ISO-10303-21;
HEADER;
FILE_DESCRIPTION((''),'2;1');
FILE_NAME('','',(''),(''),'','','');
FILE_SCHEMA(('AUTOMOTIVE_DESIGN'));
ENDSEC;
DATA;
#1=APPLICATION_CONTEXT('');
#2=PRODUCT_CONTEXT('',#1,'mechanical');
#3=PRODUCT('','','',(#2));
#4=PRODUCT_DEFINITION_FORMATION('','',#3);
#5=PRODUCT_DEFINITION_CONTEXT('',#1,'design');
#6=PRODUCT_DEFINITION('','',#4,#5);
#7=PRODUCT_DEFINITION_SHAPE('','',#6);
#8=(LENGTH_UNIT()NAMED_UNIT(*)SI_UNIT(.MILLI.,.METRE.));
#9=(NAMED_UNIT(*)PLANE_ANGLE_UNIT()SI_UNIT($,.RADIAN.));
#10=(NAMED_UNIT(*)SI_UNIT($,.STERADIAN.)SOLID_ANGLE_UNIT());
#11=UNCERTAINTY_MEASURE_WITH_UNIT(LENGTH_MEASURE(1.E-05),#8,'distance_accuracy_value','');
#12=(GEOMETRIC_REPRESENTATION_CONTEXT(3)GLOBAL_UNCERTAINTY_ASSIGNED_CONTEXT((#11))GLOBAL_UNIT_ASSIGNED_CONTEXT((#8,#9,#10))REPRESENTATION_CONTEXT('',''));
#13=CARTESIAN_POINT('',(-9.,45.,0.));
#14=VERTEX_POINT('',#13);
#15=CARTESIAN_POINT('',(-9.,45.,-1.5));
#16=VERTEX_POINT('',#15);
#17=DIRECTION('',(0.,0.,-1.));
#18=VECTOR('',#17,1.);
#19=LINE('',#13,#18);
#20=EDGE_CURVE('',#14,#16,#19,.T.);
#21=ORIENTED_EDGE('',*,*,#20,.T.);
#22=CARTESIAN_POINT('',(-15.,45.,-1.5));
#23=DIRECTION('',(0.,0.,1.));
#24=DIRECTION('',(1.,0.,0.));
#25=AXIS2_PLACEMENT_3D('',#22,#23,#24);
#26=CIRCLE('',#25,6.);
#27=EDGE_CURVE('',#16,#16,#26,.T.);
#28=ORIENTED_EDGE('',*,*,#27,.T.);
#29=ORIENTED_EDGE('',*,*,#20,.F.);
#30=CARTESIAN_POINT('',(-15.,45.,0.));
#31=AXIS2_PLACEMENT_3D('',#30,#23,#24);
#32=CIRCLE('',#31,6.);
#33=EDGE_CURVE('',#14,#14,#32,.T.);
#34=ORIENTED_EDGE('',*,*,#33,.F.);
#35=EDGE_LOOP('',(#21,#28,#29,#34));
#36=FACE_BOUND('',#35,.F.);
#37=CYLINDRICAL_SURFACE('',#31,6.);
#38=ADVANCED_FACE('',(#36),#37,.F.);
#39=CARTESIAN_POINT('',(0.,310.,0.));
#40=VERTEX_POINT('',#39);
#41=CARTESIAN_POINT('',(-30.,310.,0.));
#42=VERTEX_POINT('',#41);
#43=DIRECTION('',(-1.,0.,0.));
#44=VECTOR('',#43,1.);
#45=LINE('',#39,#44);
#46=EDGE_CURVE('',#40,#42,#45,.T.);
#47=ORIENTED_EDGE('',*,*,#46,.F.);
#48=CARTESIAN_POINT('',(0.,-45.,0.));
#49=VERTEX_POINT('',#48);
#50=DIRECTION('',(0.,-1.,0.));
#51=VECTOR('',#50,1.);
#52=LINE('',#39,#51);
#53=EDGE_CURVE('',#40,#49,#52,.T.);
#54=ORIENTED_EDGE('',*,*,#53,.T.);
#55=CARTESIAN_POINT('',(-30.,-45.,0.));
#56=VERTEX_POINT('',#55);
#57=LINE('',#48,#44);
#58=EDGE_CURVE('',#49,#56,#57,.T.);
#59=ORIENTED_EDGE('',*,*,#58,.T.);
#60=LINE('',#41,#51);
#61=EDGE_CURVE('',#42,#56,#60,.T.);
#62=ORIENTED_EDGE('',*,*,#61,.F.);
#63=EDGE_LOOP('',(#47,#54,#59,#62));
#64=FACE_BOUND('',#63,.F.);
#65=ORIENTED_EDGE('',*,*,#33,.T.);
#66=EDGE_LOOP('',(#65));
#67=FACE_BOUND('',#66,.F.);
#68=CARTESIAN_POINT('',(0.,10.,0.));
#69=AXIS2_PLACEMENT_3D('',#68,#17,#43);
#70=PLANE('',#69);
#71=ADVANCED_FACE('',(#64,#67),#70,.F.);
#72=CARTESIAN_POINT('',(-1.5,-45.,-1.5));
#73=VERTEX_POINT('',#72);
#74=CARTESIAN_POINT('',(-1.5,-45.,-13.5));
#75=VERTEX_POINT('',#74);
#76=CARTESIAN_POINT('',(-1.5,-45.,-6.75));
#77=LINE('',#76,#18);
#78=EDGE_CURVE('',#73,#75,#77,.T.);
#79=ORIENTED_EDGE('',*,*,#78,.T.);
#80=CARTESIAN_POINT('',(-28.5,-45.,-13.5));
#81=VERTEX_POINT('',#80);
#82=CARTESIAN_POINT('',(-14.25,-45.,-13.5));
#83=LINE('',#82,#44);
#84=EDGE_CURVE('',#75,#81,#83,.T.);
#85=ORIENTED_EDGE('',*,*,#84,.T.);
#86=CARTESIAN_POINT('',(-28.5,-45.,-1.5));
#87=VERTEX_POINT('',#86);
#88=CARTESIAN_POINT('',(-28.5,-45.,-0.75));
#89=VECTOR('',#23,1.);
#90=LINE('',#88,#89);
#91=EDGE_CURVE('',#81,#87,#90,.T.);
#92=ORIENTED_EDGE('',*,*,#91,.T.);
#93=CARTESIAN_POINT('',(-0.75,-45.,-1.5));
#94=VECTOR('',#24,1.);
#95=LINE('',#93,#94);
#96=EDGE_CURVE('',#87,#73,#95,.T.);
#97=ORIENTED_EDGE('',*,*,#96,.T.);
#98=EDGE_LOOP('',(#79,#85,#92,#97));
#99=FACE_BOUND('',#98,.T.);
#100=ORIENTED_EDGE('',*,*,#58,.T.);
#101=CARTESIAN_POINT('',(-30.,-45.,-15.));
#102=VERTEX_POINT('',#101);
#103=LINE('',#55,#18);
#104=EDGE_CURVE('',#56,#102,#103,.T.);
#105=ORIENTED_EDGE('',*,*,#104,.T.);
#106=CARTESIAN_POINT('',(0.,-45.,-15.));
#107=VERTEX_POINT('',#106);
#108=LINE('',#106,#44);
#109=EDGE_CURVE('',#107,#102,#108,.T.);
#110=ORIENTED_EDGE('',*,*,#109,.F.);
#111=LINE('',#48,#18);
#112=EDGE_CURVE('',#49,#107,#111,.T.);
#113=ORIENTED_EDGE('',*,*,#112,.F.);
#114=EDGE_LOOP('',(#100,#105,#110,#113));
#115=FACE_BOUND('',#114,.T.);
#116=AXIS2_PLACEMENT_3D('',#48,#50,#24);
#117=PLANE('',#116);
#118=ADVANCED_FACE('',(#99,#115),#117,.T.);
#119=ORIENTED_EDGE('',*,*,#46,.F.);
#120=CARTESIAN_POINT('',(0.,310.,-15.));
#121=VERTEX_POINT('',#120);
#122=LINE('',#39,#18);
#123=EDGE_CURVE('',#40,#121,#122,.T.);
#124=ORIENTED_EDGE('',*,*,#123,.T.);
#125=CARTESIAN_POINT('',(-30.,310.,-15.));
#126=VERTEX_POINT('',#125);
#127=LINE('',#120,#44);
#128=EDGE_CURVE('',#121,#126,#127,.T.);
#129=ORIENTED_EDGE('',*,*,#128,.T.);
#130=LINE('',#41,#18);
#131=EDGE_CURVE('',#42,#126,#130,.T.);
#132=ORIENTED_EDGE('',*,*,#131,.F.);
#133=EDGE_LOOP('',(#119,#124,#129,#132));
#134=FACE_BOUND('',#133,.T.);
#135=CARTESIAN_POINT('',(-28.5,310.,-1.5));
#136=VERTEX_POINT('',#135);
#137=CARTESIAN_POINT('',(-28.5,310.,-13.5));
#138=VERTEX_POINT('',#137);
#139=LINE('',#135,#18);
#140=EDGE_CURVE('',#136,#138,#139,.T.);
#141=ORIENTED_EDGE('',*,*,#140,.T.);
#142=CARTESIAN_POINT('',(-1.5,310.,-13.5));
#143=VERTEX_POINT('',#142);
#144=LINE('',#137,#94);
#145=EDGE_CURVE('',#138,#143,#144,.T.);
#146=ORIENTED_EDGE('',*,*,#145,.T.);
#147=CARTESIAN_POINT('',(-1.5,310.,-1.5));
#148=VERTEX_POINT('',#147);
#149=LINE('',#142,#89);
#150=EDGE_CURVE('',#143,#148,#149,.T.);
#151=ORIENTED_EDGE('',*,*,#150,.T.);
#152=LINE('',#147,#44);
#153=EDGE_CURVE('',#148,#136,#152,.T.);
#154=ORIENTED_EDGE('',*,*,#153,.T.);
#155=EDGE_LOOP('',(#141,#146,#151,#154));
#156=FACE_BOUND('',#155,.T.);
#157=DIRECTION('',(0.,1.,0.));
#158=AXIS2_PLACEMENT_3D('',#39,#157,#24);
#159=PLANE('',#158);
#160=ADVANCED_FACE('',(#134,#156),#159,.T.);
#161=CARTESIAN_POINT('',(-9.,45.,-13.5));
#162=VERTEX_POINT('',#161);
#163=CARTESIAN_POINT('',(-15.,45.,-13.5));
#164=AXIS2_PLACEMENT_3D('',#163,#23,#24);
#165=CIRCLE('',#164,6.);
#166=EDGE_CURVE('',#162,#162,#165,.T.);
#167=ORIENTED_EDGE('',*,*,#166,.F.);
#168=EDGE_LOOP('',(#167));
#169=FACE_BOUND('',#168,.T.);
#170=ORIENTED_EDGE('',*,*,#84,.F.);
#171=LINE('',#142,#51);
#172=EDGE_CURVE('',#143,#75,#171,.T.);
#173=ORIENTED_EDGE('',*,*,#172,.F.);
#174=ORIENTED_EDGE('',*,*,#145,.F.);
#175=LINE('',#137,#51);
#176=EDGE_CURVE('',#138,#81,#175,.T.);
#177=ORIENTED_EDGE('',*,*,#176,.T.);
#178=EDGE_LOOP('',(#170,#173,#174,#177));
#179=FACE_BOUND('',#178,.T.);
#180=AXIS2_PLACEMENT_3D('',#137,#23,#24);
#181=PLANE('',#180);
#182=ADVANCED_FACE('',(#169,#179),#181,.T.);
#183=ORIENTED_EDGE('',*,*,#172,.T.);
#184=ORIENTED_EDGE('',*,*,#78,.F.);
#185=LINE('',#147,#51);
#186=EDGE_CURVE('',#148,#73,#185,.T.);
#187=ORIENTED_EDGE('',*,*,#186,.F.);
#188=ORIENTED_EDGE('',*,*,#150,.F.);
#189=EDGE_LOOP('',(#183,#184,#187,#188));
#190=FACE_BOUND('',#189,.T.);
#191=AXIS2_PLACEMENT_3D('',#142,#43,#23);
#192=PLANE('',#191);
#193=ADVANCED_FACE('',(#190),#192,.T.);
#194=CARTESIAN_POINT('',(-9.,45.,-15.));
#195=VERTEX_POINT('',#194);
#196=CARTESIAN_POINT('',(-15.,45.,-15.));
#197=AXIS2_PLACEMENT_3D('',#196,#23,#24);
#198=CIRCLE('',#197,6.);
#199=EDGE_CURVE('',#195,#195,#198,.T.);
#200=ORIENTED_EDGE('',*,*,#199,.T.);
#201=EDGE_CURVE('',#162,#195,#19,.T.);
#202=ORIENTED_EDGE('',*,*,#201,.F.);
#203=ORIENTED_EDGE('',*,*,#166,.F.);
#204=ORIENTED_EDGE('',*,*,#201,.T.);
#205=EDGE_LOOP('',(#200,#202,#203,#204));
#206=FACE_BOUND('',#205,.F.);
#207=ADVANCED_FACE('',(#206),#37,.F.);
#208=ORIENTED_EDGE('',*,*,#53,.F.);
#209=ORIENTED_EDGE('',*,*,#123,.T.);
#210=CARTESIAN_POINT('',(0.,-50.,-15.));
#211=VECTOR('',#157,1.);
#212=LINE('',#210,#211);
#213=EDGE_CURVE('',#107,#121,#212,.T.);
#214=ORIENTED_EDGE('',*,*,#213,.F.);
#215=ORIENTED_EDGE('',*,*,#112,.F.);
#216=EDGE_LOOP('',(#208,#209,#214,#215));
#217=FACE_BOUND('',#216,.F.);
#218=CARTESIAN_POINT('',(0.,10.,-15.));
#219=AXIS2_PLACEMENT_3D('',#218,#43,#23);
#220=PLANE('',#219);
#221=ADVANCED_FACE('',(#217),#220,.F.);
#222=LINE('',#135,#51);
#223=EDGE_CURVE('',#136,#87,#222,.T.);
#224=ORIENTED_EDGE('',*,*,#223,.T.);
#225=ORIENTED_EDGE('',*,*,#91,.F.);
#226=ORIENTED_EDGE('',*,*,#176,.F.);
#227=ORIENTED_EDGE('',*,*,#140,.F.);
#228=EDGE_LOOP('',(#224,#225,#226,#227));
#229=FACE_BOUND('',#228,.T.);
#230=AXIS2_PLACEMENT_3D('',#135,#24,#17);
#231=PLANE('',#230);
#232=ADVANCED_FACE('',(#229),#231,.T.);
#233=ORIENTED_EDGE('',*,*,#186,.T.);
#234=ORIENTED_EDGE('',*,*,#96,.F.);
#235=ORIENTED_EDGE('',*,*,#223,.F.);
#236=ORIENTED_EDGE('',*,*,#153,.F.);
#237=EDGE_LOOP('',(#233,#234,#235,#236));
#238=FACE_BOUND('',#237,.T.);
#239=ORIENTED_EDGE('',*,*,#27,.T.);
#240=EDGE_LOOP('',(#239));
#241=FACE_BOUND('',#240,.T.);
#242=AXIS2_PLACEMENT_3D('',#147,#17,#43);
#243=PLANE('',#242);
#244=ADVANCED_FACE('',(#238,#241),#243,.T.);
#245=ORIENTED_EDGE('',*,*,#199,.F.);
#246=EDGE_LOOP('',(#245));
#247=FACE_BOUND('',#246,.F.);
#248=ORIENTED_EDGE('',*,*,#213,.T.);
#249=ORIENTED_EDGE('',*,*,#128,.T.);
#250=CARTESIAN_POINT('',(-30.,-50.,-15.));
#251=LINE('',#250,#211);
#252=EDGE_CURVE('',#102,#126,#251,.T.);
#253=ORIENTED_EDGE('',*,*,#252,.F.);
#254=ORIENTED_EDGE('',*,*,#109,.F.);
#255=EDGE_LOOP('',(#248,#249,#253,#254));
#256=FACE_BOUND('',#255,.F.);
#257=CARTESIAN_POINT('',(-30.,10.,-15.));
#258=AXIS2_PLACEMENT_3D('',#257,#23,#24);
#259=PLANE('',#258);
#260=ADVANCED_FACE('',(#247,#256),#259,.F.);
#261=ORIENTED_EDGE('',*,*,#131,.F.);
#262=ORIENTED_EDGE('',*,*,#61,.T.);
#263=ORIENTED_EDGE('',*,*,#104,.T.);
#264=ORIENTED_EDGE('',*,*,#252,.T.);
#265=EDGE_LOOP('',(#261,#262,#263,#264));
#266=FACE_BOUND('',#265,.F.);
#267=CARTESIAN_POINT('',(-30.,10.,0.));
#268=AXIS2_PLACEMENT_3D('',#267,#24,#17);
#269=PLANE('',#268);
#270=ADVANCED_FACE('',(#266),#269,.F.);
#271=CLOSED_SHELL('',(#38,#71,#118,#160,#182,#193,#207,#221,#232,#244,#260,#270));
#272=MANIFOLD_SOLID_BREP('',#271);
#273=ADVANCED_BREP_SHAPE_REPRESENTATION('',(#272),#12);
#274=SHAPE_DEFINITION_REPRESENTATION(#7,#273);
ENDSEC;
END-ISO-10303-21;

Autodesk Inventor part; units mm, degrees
ref_plane "YZ Plane" through (0, 0, 0) normal (1, 0, 0) x (0, 1, 0)
ref_plane "XZ Plane" through (0, 0, 0) normal (0, 1, 0) x (-1, 0, 0)
ref_plane "XY Plane" through (0, 0, 0) normal (0, 0, 1) x (1, 0, 0)
sketch "スケッチ1" plane through (0, 0, 0) normal (0, 1, 0) x (-1, 0, 0)
  line L0 (0, 0) -> (30, 0)
  line L1 (30, 0) -> (30, -15)
  line L2 (30, -15) -> (0, -15)
  line L3 (0, -15) -> (0, 0)
  dimension "d0" = 30
  dimension "d1" = 15
extrude "押し出し1" add sketch "スケッチ1" along normal blind 300
sketch "スケッチ2" plane through (-30, 0, 0) normal (0, 0, 1) x (1, 0, 0)
  circle A0 centre (15, 45) radius 5
  line L0 (0, 0) -> (30, 0) projected
  line L1 (30, 0) -> (30, 300) projected
  dimension "d4" = 10
  dimension "d5" = 45
  dimension "d6" = 15
extrude "押し出し2" cut sketch "スケッチ2" against normal blind 300
sketch "スケッチ3" plane through (0, 0, 0) normal (0, -1, 0) x (1, 0, 0)
  line L0 (-30, 0) -> (0, 0) projected
  line L1 (0, 0) -> (-30, 0)
  line L2 (-30, 0) -> (-30, -15)
  line L3 (-30, -15) -> (0, -15)
  line L4 (0, -15) -> (0, 0)
  dimension "d9" = 30
  dimension "d10" = 15
extrude "押し出し3" cut sketch "スケッチ3" against normal blind 10
sketch "スケッチ5" plane through (0, 300, 0) normal (0, 1, 0) x (1, 0, 0)
  line L0 (0, 0) -> (0, 15) projected
  line L1 (0, 15) -> (-30, 15) projected
  line L2 (0, 0) -> (-30, 0)
  line L3 (-30, 0) -> (-30, 15)
  line L4 (-30, 15) -> (0, 15)
  line L5 (0, 15) -> (0, 0)
extrude "押し出し4" add sketch "スケッチ5" along normal blind 10
sketch "スケッチ6" plane through (0, 10, 0) normal (0, -1, 0) x (1, 0, 0)
  line L0 (0, 0) -> (-30, 0)
  line L1 (-30, 0) -> (-30, -15)
  line L2 (-30, -15) -> (0, -15)
  line L3 (0, -15) -> (0, 0)
extrude "押し出し5" add sketch "スケッチ6" along normal blind 60
sketch "スケッチ7" plane through (0, -50, 0) normal (0, -1, 0) x (1, 0, 0)
  line L0 (0, 0) -> (0, -15) projected
  line L1 (0, -15) -> (-30, -15) projected
  line L2 (0, 0) -> (-30, 0)
  line L3 (-30, 0) -> (-30, -15)
  line L4 (-30, -15) -> (0, -15)
  line L5 (0, -15) -> (0, 0)
extrude "押し出し6" cut sketch "スケッチ7" against normal blind 5
sketch "スケッチ8" plane through (-30, 310, 0) normal (0, 0, 1) x (1, 0, 0)
  circle A0 centre (15, -265) radius 6
  line L0 (0, -355) -> (30, -355) projected
  line L1 (0, -355) -> (0, 0) projected
  circle A1 centre (15, -265) radius 5
  point P0 (30, -310)
  dimension "d19" = 12
  dimension "d20" = 90
  dimension "d21" = 15
  dimension "d22" = 10
extrude "押し出し7" cut sketch "スケッチ8" against normal blind 15
sketch "スケッチ9" plane through (0, 310, 0) normal (0, 1, 0) x (1, 0, 0)
  line L0 (-28.5, 13.5) -> (-1.5, 13.5)
  line L1 (-1.5, 13.5) -> (-1.5, 1.5)
  line L2 (-1.5, 1.5) -> (-28.5, 1.5)
  line L3 (-28.5, 1.5) -> (-28.5, 13.5)
  line L4 (0, 15) -> (-30, 15) projected
  line L5 (-30, 15) -> (-30, 0) projected
  point P0 (0, 0)
  dimension "d25" = 27
  dimension "d26" = 12
  dimension "d27" = 1.5
  dimension "d28" = 1.5
extrude "押し出し8" cut sketch "スケッチ9" against normal blind 500
properties part number "射出_腕" material "アルミニウム 6061"
